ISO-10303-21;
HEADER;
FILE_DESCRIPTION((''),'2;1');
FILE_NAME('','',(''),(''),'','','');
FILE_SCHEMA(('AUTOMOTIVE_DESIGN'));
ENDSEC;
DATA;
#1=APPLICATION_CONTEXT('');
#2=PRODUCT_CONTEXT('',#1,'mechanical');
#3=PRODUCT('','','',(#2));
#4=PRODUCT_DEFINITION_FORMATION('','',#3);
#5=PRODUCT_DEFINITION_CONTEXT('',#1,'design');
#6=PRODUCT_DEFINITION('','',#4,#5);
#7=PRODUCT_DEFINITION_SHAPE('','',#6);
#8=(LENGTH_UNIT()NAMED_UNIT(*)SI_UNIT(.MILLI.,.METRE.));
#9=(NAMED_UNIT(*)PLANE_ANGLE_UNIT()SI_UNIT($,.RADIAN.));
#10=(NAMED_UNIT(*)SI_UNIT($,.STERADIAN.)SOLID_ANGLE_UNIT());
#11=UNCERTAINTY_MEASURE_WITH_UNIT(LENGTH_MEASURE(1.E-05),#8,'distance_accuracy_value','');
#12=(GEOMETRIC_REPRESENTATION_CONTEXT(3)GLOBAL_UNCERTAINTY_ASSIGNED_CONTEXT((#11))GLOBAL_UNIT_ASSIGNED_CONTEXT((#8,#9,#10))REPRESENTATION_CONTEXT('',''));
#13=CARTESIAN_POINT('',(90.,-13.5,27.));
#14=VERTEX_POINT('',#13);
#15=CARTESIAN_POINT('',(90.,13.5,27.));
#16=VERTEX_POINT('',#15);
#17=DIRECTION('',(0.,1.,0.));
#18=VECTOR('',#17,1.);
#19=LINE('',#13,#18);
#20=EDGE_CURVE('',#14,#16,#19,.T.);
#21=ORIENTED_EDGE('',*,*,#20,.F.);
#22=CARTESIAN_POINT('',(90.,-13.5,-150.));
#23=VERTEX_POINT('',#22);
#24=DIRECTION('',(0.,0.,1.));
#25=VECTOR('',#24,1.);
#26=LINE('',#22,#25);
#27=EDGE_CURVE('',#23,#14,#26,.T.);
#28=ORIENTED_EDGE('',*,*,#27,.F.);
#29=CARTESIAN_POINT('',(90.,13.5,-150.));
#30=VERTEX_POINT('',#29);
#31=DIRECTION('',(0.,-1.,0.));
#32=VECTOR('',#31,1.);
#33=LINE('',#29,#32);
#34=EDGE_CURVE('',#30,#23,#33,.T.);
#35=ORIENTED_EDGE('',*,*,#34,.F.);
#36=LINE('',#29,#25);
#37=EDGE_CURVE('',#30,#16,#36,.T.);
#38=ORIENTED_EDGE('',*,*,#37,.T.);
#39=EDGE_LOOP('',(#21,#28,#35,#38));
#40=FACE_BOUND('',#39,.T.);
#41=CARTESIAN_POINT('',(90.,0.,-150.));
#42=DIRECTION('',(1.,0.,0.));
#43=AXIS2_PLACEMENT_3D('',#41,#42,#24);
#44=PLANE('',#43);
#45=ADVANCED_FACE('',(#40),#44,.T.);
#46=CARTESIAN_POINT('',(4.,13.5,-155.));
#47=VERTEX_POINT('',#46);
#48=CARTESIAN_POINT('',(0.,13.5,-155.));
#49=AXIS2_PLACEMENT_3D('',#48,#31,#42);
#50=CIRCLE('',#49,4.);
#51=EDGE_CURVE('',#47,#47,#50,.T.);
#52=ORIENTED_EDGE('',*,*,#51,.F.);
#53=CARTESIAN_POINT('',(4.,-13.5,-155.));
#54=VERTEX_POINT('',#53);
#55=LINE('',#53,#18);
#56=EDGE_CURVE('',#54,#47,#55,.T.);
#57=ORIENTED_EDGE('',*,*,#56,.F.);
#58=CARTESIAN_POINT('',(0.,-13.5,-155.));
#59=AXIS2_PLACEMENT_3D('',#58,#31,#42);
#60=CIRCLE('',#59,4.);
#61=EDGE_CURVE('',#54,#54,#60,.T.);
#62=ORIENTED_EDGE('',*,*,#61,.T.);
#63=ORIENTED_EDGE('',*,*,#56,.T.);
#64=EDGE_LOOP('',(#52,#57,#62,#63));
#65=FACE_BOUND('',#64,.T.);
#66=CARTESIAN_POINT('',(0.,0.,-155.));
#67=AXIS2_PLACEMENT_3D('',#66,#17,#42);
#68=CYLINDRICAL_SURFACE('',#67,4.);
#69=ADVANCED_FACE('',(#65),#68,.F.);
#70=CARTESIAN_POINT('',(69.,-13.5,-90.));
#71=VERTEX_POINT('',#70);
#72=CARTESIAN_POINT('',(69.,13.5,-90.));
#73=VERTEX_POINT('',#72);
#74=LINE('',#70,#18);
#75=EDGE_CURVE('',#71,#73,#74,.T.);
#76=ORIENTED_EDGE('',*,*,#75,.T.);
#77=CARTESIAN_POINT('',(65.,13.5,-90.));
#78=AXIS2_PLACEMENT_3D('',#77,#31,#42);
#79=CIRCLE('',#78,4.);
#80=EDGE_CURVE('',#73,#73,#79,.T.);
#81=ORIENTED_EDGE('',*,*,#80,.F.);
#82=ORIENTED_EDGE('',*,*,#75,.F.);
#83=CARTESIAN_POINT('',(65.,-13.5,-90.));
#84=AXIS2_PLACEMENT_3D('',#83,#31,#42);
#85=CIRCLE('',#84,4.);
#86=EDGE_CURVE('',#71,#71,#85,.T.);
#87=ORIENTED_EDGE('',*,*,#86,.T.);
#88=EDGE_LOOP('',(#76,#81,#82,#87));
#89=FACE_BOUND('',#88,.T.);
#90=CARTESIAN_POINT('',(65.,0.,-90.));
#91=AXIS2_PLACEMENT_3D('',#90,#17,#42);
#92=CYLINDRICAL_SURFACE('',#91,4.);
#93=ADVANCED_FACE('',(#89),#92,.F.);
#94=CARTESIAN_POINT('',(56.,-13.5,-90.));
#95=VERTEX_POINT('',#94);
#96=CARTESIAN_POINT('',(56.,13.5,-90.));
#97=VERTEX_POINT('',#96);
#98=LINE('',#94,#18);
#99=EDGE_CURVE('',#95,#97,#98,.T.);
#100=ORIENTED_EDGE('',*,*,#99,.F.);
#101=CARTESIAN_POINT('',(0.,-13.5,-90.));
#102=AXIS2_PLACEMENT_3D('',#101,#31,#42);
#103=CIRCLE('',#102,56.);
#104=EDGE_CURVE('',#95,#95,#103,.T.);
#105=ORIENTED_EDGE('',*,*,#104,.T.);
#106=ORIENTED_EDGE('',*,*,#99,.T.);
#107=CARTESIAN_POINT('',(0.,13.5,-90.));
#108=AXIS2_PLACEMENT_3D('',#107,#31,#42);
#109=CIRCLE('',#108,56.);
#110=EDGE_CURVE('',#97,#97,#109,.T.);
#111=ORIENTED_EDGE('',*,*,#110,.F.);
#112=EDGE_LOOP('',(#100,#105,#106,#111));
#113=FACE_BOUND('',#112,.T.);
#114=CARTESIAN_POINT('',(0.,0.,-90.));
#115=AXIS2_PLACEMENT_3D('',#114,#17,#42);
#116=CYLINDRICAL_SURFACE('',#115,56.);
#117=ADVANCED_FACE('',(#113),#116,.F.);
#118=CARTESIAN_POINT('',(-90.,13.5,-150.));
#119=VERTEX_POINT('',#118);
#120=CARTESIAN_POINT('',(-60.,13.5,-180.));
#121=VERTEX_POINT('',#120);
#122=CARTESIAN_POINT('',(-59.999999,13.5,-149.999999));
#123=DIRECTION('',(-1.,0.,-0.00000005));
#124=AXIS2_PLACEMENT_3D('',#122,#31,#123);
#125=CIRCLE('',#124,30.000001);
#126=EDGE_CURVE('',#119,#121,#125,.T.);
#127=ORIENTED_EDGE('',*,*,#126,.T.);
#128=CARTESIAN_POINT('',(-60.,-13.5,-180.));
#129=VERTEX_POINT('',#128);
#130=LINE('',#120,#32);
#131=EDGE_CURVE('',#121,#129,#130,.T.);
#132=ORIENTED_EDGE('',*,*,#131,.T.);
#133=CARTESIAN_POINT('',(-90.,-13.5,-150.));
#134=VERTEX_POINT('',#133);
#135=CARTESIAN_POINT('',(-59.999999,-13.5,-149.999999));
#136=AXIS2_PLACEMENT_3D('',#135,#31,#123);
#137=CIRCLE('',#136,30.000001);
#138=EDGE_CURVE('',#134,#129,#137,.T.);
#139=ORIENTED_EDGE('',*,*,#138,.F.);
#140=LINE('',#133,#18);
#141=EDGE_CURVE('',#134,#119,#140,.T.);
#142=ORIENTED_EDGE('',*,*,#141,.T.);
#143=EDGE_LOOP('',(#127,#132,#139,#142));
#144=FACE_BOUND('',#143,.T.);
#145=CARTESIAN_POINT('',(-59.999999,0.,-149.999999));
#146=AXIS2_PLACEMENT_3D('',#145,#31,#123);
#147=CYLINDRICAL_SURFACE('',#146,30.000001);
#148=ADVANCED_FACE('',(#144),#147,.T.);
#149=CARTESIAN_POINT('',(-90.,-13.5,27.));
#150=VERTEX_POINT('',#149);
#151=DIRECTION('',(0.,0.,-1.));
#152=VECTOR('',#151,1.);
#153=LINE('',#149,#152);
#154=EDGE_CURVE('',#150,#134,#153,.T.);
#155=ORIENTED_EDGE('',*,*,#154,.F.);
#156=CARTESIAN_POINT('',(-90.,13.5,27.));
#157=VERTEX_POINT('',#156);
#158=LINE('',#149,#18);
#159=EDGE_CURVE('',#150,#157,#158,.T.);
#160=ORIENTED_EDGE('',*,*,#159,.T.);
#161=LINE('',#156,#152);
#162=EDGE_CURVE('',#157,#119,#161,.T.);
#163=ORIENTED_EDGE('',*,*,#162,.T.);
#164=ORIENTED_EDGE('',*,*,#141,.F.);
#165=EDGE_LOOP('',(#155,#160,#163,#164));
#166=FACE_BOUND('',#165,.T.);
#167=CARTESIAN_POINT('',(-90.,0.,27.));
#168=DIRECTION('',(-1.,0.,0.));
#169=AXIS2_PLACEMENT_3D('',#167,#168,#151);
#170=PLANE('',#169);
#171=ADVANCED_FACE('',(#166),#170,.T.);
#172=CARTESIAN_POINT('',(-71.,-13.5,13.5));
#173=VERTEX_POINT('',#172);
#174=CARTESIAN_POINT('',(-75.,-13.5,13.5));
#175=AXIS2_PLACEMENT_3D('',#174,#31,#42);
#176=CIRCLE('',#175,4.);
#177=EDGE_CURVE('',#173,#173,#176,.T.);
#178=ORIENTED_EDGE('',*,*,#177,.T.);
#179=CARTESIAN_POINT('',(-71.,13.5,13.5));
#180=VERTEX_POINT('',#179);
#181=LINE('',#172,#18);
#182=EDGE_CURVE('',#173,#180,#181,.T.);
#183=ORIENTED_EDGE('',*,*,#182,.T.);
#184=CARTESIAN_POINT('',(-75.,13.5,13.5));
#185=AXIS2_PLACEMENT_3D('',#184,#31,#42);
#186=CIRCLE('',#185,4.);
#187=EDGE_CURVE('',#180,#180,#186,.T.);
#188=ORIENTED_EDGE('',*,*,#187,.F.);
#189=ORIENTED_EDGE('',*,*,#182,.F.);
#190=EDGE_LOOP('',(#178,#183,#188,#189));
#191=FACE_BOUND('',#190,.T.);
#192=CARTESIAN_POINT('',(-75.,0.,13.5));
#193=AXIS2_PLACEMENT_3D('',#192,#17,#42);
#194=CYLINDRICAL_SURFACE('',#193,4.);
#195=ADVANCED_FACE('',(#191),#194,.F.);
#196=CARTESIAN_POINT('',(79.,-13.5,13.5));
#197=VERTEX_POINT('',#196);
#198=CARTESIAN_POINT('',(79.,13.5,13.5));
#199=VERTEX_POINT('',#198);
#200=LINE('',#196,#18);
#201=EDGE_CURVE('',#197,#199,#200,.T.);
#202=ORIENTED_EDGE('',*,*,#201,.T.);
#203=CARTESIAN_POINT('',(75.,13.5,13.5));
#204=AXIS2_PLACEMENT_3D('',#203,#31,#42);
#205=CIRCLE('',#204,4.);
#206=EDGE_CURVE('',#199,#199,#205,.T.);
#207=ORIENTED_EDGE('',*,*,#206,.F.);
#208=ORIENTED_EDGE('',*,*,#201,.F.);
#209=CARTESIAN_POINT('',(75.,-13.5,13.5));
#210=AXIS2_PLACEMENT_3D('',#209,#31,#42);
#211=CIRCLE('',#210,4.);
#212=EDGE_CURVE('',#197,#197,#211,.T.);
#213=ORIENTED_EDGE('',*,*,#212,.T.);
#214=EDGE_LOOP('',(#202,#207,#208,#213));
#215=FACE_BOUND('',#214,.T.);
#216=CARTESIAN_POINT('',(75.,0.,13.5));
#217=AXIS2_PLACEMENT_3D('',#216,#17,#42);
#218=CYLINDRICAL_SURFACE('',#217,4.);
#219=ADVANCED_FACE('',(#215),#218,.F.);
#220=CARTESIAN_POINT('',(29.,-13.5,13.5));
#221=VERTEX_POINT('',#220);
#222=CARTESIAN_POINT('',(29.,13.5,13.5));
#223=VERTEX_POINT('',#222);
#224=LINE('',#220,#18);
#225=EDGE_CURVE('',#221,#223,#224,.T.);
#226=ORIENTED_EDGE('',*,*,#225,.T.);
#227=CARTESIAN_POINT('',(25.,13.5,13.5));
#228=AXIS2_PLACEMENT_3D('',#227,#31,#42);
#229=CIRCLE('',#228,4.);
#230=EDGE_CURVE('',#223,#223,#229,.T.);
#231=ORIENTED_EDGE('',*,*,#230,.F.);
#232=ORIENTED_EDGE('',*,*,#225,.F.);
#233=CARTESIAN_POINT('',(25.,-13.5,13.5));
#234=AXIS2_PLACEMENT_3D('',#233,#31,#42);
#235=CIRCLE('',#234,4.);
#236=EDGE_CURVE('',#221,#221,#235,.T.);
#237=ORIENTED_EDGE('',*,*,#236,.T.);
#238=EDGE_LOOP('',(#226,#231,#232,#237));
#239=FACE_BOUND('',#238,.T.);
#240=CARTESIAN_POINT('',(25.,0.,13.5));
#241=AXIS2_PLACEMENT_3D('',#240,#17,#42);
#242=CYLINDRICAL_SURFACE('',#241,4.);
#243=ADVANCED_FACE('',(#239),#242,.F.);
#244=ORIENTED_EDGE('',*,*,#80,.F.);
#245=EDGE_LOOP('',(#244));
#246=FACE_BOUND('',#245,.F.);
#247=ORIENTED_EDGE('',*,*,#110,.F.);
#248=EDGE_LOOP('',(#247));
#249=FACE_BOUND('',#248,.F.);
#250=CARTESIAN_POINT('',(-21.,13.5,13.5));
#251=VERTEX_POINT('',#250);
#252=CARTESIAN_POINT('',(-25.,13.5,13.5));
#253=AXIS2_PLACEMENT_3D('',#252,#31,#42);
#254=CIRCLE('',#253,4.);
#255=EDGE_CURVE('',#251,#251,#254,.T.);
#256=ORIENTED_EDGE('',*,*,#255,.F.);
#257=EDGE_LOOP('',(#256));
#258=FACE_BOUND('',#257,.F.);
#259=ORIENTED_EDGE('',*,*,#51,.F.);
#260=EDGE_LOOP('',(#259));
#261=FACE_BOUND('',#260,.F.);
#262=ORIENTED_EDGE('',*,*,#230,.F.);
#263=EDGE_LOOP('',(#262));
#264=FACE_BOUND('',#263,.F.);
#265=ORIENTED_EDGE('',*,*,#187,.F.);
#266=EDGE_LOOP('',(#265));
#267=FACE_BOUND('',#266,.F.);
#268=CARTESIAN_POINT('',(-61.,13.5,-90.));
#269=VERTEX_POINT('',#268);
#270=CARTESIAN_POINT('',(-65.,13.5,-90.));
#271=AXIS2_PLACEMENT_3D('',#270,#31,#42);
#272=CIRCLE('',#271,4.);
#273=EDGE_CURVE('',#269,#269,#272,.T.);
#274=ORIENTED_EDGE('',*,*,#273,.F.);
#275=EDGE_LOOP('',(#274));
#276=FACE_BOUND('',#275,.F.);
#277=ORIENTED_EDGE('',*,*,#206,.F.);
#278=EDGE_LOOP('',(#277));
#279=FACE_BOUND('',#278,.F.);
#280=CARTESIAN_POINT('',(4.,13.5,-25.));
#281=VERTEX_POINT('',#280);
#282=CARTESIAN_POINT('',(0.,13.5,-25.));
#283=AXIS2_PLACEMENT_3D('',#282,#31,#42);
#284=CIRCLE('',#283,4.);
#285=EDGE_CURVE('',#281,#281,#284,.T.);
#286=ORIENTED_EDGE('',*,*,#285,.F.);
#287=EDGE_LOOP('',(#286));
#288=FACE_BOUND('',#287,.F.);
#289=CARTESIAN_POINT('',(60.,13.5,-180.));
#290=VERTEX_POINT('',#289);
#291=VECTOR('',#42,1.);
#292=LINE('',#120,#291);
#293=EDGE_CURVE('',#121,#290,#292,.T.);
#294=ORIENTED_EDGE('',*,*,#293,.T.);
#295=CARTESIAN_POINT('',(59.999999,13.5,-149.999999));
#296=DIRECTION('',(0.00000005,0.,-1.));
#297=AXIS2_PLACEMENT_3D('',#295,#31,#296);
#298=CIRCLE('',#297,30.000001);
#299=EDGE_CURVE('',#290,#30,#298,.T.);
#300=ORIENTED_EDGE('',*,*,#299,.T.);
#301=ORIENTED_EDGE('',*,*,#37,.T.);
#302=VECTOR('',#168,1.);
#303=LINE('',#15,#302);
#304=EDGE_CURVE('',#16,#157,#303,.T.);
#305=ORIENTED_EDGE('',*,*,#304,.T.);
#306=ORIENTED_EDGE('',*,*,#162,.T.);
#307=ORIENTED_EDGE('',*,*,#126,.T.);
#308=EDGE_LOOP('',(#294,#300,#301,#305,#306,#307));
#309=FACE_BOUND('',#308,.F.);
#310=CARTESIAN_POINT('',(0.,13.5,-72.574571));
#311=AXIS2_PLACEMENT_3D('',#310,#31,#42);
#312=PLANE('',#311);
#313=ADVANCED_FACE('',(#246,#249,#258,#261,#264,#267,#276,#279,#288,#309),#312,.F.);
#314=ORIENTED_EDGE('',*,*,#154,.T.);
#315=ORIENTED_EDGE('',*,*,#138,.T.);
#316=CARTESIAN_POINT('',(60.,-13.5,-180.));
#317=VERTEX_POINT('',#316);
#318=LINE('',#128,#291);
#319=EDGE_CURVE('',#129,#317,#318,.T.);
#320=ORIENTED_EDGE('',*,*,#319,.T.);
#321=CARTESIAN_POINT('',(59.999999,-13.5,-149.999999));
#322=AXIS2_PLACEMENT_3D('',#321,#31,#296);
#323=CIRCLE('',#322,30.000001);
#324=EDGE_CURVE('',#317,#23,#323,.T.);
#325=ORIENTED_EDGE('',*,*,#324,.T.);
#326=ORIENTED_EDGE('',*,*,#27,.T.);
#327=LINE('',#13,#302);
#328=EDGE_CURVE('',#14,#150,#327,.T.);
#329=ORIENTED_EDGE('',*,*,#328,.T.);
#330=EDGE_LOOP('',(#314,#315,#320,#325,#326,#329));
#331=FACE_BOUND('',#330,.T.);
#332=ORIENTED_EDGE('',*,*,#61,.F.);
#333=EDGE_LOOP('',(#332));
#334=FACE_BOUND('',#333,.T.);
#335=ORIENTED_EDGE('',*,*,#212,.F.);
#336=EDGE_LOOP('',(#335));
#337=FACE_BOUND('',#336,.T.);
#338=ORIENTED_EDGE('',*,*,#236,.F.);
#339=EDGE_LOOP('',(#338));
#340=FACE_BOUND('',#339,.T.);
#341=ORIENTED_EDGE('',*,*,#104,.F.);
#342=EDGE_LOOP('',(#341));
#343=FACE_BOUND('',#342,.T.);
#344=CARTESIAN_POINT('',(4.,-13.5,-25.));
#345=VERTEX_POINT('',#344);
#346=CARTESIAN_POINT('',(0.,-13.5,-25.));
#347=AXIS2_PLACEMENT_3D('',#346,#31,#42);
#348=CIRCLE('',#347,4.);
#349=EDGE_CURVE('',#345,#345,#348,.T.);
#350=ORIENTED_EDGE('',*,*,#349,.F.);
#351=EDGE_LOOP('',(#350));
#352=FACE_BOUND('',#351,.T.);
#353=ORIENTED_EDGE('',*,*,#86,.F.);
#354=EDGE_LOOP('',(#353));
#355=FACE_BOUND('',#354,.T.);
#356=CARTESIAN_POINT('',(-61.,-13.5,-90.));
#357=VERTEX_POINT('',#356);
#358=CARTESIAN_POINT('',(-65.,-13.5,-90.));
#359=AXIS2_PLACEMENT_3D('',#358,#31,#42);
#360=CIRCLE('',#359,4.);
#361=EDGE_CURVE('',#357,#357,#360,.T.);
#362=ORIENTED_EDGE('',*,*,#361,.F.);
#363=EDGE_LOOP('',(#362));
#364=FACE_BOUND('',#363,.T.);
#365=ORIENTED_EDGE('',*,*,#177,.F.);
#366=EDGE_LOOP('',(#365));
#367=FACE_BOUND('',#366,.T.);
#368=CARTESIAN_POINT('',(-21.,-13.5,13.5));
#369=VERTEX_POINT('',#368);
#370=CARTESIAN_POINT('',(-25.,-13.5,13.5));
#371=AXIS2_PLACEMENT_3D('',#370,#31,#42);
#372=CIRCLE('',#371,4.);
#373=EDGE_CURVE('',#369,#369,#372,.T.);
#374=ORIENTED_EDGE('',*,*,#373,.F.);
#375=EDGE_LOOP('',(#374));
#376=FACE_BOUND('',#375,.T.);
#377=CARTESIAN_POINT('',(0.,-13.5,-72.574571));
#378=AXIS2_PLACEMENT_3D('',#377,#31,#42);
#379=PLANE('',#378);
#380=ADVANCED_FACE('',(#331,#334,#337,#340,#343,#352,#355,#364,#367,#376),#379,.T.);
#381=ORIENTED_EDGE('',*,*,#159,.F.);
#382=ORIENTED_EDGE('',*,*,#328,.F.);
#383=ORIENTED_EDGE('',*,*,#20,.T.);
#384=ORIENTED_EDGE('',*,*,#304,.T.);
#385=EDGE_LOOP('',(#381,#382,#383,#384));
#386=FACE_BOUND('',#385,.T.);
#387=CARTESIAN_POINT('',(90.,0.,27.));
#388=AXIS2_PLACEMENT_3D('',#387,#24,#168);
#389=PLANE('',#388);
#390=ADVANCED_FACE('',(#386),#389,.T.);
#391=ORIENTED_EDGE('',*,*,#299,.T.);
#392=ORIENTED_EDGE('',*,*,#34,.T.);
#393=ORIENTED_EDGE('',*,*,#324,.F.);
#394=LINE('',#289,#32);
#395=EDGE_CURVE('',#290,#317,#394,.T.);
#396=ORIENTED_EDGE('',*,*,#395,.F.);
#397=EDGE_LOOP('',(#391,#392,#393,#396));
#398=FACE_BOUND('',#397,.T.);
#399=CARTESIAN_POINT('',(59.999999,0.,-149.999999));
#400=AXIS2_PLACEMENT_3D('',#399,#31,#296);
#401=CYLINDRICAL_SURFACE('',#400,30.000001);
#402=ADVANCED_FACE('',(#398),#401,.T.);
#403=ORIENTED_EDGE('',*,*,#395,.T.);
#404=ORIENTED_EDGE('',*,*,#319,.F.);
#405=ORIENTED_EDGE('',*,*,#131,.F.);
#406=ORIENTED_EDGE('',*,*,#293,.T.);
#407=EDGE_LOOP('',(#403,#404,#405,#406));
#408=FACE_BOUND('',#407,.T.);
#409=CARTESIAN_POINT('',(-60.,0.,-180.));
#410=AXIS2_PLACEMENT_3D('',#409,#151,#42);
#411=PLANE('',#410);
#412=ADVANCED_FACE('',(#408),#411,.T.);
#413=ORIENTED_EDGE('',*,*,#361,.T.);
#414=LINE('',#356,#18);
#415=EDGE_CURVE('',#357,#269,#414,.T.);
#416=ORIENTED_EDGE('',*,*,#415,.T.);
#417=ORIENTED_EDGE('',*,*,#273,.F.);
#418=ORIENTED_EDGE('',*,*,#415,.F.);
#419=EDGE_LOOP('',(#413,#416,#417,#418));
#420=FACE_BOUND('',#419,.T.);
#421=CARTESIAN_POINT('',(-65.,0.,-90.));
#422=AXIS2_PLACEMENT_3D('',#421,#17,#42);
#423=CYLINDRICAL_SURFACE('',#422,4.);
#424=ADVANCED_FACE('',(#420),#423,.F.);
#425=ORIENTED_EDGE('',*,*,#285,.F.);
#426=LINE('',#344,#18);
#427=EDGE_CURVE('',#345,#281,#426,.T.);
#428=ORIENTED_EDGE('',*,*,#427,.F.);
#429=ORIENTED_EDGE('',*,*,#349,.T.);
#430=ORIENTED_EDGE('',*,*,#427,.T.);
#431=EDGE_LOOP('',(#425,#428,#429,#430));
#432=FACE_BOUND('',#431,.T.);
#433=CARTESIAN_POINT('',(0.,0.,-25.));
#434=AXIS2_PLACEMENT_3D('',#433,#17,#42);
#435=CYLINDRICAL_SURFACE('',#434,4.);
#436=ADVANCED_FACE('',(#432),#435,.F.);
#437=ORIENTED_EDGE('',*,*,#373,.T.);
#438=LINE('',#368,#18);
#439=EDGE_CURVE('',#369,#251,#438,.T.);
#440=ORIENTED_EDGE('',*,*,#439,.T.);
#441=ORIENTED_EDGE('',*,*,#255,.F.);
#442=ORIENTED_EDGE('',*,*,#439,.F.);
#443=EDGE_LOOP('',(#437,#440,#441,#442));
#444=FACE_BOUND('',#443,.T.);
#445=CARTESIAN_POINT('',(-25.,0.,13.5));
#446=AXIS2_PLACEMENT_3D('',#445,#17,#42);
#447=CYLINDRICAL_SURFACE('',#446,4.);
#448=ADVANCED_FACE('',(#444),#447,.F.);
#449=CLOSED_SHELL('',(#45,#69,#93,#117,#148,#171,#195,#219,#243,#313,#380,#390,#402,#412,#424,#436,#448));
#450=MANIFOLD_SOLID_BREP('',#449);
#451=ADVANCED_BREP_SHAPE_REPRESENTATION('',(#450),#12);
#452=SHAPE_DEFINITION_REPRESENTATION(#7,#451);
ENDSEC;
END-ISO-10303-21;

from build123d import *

# Parameters (mm, degrees)
F0_R     = 4
F0_R_2   = 56
F1_DEPTH = 13.5


with BuildPart() as f1:
    # F0 (on Front) → F1 (new body, symmetric)
    with BuildSketch(Plane.XZ):
        with BuildLine():
            ThreePointArc((-90, -150), (-81.213203, -171.213203), (-60, -180))
            Line((-60, -180), (60, -180))
            ThreePointArc((60, -180), (81.213203, -171.213203), (90, -150))
            Line((90, -150), (90, 27))
            Line((90, 27), (-90, 27))
            Line((-90, 27), (-90, -150))
        make_face()
        with Locations((-65, -90)):
            Circle(F0_R, mode=Mode.SUBTRACT)
        with Locations((0, -155)):
            Circle(F0_R, mode=Mode.SUBTRACT)
        with Locations((0, -90)):
            Circle(F0_R_2, mode=Mode.SUBTRACT)
        with Locations((65, -90)):
            Circle(F0_R, mode=Mode.SUBTRACT)
        with Locations((-75, 13.5)):
            Circle(F0_R, mode=Mode.SUBTRACT)
        with Locations((-25, 13.5)):
            Circle(F0_R, mode=Mode.SUBTRACT)
        with Locations((0, -25)):
            Circle(F0_R, mode=Mode.SUBTRACT)
        with Locations((25, 13.5)):
            Circle(F0_R, mode=Mode.SUBTRACT)
        with Locations((75, 13.5)):
            Circle(F0_R, mode=Mode.SUBTRACT)
    extrude(amount=F1_DEPTH, both=True)


solid = f1.part
